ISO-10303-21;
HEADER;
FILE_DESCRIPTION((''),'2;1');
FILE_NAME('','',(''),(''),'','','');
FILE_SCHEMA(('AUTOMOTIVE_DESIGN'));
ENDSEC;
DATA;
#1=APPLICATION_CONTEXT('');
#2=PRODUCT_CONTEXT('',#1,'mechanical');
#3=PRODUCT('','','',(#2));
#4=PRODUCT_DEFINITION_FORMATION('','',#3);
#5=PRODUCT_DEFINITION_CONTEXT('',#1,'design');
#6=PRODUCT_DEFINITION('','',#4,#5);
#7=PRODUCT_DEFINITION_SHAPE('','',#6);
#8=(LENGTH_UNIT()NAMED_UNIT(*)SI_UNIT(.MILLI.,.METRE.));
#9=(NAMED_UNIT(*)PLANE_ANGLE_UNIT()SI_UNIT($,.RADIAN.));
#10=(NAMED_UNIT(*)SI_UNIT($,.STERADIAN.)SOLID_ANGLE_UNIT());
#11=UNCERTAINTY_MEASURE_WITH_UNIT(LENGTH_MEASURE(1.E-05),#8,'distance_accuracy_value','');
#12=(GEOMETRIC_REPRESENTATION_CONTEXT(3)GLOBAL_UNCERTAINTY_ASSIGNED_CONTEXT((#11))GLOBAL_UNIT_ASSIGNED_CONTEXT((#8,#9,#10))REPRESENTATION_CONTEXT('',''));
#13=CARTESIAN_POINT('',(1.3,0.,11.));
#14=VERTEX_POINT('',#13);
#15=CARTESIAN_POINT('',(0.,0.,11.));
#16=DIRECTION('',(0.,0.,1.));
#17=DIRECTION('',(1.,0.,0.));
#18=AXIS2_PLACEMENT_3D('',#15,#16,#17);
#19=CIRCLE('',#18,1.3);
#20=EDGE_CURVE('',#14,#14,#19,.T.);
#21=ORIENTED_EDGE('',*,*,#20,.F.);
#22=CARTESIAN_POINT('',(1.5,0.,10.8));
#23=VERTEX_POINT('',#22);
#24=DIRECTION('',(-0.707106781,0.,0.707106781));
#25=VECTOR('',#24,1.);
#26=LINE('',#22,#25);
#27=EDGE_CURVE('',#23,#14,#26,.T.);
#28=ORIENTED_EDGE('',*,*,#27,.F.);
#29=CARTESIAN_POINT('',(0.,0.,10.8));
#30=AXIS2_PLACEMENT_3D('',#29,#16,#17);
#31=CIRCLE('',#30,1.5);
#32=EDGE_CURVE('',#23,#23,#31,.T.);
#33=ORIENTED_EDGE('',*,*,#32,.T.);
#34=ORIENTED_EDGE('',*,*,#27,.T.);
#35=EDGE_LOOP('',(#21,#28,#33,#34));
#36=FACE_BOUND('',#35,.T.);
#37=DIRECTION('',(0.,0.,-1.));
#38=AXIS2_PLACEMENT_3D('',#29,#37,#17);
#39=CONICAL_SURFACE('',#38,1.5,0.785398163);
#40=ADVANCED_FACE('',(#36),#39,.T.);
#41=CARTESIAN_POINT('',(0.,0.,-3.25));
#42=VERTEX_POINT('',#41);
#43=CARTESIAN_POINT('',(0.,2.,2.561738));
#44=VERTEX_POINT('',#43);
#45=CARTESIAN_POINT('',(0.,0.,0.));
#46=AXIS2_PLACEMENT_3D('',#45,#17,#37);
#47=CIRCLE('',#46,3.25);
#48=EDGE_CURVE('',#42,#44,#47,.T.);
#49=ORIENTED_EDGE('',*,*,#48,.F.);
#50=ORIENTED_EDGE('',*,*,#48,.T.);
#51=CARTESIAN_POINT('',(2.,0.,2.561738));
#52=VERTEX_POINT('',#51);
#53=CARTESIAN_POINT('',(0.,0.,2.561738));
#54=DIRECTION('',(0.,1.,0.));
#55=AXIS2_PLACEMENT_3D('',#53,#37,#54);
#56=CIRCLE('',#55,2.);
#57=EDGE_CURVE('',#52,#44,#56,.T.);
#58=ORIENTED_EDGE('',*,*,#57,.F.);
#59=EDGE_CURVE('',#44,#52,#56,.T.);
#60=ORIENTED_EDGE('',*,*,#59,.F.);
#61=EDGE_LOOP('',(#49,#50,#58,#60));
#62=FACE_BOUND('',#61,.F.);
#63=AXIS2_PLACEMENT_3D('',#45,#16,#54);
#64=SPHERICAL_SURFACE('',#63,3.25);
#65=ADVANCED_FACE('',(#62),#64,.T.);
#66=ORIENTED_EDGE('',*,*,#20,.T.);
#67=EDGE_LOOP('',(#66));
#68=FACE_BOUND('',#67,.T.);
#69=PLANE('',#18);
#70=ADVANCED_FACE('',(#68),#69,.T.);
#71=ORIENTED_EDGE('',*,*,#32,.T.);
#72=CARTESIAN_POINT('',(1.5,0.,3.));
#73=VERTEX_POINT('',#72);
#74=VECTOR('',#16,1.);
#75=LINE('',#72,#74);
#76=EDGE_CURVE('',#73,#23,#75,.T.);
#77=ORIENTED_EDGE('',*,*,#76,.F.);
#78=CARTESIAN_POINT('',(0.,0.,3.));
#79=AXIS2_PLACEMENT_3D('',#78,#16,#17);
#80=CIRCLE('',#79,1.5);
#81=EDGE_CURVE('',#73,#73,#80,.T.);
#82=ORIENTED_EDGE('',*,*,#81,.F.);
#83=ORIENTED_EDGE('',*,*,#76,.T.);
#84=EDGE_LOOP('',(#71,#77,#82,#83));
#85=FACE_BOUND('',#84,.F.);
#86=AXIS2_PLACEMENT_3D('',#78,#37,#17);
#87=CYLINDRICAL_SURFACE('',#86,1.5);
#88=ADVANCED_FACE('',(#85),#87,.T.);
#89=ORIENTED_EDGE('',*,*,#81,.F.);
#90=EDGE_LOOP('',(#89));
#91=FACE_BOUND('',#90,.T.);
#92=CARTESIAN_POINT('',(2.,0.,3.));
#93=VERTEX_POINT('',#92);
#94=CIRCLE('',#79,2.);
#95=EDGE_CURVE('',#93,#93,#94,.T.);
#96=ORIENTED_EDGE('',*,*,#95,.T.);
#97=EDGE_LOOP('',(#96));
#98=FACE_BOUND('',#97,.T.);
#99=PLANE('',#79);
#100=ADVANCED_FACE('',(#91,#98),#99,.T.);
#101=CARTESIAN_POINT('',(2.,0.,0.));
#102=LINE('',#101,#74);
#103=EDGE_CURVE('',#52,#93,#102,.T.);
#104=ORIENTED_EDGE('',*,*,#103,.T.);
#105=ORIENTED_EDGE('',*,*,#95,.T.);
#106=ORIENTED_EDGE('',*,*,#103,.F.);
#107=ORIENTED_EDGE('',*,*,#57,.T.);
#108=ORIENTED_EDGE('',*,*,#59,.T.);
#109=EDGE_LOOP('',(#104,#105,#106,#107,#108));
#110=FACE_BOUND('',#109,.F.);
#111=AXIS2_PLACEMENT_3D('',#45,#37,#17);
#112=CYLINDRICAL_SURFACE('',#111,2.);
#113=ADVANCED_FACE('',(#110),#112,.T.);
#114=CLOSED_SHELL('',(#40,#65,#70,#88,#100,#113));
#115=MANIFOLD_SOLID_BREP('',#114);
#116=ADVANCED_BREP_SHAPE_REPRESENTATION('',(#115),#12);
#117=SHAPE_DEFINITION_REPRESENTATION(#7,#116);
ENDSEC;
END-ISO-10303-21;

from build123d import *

# Parameters (mm, degrees)
F2_R     = 2
F3_DEPTH = 3
F4_R     = 1.5
F5_DEPTH = 8
F6_SIZE  = 0.2


with BuildPart() as f1:
    # F0 (on Right) → F1 (revolve)
    with BuildSketch(Plane.YZ):
        with BuildLine():
            Line((0, 3.25), (0, -3.25))
            ThreePointArc((0, -3.25), (3.25, 0), (0, 3.25))
        make_face()
    revolve(axis=Axis((0, 0, 0), (0, 0, -1)))

    # F2 (on Top) → F3 (join)
    with BuildSketch(Plane.XY):
        Circle(F2_R)
    extrude(amount=F3_DEPTH)

    # F4 (on face) → F5 (join)
    with BuildSketch(Plane.XY.offset(3)):
        Circle(F4_R)
    extrude(amount=F5_DEPTH)

    # F6
    f6_edges = [f1.edges().sort_by_distance(p)[0] for p in [
        (-1.5, 0, 11),
    ]]
    chamfer(f6_edges, length=F6_SIZE)


solid = f1.part
